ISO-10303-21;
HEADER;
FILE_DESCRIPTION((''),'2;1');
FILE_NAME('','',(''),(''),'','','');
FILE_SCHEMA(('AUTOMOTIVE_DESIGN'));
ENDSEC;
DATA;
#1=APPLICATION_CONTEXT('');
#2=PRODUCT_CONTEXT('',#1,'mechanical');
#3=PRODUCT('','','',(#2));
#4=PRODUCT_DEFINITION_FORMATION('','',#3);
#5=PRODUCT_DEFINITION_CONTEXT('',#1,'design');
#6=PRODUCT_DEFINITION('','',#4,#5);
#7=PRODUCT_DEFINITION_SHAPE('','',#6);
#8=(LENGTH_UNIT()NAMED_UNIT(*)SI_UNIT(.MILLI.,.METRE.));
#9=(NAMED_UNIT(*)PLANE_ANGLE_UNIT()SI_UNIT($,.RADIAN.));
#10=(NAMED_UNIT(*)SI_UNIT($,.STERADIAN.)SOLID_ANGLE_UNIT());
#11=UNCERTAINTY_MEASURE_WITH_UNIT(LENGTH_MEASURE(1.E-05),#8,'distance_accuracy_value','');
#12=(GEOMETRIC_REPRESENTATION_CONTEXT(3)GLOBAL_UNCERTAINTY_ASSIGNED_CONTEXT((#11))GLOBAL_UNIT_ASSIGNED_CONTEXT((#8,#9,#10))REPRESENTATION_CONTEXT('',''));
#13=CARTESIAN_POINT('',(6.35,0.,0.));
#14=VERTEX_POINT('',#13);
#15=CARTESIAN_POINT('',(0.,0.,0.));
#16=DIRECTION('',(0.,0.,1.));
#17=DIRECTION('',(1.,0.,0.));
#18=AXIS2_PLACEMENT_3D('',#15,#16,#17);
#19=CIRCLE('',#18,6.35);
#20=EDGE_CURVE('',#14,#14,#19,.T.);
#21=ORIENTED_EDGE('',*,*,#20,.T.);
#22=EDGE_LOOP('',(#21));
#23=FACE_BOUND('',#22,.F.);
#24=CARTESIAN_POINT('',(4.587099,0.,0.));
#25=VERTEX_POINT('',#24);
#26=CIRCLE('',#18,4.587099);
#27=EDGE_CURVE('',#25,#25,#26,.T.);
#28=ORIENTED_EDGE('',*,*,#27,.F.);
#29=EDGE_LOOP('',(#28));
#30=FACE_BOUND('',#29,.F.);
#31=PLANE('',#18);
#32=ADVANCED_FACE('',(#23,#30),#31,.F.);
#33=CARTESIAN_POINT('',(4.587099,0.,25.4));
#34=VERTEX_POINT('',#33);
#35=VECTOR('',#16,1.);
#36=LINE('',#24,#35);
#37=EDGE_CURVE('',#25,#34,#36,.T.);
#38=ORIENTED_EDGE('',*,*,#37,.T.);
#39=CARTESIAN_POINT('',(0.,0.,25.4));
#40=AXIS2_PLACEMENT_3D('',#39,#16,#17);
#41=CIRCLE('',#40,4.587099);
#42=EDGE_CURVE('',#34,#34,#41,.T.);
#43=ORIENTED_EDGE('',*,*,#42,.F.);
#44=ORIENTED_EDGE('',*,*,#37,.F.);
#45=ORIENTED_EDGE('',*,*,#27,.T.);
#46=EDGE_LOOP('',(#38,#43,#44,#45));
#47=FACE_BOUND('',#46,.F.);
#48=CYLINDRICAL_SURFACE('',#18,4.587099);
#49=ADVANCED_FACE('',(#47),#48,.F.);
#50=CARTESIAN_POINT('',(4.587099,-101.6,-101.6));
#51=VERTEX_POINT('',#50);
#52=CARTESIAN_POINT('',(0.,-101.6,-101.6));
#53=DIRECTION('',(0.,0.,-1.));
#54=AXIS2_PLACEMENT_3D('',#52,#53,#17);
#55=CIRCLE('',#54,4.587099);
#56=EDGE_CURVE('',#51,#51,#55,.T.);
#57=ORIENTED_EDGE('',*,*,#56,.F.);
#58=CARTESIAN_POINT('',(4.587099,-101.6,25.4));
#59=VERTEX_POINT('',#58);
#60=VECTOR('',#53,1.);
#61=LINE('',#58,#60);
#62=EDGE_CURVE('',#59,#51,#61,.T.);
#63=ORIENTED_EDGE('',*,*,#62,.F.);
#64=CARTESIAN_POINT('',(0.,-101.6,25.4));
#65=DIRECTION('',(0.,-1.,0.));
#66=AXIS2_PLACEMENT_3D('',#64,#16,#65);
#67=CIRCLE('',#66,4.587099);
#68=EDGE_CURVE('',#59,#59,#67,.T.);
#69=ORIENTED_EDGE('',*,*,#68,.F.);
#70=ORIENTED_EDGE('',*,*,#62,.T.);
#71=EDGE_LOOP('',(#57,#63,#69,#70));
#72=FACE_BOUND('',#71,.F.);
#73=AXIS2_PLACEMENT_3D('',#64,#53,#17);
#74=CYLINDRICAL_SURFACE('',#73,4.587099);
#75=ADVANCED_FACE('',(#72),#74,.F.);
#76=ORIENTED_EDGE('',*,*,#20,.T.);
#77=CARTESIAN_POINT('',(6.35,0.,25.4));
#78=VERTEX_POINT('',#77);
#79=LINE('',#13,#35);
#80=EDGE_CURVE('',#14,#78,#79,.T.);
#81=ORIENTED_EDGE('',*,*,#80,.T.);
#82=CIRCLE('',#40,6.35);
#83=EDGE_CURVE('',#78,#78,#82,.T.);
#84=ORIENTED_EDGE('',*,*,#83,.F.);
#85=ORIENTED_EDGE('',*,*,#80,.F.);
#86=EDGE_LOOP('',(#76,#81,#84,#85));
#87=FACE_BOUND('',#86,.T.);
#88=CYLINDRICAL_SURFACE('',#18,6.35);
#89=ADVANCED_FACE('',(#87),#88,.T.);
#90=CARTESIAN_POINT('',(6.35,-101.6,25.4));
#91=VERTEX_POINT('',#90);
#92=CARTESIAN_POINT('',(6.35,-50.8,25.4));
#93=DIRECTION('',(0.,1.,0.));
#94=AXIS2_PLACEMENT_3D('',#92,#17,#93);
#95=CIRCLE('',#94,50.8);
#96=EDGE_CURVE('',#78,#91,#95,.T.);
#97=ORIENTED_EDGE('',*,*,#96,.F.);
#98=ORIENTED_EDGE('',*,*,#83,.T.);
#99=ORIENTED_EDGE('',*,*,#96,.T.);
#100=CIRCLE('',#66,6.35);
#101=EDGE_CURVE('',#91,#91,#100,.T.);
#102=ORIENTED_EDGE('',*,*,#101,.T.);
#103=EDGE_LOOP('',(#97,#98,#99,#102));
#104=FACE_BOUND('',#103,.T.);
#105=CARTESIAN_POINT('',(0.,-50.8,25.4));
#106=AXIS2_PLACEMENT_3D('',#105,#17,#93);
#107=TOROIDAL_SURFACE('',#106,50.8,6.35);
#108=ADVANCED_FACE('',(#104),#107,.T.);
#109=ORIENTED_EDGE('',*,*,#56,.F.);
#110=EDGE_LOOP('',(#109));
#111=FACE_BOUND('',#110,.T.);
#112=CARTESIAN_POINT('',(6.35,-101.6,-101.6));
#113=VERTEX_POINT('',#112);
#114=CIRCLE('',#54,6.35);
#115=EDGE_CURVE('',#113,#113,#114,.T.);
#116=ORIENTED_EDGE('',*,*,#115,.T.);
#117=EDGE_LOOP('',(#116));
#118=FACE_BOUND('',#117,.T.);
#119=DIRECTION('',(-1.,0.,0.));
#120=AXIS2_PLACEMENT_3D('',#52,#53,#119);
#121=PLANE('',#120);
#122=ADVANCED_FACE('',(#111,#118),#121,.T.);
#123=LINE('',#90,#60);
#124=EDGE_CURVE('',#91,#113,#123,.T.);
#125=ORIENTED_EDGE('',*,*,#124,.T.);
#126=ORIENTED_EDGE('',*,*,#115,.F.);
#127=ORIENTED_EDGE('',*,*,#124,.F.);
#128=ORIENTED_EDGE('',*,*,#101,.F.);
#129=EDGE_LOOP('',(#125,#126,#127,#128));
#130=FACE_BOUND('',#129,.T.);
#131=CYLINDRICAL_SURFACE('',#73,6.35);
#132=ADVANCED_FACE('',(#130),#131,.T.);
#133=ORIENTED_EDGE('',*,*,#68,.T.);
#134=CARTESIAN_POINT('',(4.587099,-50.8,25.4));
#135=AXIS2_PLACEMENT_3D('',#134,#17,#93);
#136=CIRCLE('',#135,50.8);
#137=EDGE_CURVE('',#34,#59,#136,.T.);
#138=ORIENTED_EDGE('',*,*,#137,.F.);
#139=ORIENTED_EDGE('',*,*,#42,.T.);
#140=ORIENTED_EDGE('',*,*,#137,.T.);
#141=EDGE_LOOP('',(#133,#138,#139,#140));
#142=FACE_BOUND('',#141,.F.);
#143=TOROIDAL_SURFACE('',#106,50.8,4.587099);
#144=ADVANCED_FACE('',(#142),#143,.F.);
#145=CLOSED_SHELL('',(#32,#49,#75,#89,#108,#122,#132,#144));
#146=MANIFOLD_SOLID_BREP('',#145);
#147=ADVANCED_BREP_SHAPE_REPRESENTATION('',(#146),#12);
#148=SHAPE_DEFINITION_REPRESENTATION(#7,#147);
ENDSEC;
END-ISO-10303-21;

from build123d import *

# Parameters (mm, degrees)
F1_R   = 6.35
F1_R_2 = 4.587099


with BuildPart() as f2:
    # F2: sweep along a path in F0
    with BuildLine(Plane.YZ) as f2_path:
        Line((0, 0), (0, 25.4))
        ThreePointArc((0, 25.4), (-50.8, 76.2), (-101.6, 25.4))
        Line((-101.6, 25.4), (-101.6, -101.6))
    # F1 (on Top) → F2 (sweep)
    with BuildSketch(Plane.XY):
        Circle(F1_R)
        Circle(F1_R_2, mode=Mode.SUBTRACT)
    sweep(path=f2_path.line)


solid = f2.part
